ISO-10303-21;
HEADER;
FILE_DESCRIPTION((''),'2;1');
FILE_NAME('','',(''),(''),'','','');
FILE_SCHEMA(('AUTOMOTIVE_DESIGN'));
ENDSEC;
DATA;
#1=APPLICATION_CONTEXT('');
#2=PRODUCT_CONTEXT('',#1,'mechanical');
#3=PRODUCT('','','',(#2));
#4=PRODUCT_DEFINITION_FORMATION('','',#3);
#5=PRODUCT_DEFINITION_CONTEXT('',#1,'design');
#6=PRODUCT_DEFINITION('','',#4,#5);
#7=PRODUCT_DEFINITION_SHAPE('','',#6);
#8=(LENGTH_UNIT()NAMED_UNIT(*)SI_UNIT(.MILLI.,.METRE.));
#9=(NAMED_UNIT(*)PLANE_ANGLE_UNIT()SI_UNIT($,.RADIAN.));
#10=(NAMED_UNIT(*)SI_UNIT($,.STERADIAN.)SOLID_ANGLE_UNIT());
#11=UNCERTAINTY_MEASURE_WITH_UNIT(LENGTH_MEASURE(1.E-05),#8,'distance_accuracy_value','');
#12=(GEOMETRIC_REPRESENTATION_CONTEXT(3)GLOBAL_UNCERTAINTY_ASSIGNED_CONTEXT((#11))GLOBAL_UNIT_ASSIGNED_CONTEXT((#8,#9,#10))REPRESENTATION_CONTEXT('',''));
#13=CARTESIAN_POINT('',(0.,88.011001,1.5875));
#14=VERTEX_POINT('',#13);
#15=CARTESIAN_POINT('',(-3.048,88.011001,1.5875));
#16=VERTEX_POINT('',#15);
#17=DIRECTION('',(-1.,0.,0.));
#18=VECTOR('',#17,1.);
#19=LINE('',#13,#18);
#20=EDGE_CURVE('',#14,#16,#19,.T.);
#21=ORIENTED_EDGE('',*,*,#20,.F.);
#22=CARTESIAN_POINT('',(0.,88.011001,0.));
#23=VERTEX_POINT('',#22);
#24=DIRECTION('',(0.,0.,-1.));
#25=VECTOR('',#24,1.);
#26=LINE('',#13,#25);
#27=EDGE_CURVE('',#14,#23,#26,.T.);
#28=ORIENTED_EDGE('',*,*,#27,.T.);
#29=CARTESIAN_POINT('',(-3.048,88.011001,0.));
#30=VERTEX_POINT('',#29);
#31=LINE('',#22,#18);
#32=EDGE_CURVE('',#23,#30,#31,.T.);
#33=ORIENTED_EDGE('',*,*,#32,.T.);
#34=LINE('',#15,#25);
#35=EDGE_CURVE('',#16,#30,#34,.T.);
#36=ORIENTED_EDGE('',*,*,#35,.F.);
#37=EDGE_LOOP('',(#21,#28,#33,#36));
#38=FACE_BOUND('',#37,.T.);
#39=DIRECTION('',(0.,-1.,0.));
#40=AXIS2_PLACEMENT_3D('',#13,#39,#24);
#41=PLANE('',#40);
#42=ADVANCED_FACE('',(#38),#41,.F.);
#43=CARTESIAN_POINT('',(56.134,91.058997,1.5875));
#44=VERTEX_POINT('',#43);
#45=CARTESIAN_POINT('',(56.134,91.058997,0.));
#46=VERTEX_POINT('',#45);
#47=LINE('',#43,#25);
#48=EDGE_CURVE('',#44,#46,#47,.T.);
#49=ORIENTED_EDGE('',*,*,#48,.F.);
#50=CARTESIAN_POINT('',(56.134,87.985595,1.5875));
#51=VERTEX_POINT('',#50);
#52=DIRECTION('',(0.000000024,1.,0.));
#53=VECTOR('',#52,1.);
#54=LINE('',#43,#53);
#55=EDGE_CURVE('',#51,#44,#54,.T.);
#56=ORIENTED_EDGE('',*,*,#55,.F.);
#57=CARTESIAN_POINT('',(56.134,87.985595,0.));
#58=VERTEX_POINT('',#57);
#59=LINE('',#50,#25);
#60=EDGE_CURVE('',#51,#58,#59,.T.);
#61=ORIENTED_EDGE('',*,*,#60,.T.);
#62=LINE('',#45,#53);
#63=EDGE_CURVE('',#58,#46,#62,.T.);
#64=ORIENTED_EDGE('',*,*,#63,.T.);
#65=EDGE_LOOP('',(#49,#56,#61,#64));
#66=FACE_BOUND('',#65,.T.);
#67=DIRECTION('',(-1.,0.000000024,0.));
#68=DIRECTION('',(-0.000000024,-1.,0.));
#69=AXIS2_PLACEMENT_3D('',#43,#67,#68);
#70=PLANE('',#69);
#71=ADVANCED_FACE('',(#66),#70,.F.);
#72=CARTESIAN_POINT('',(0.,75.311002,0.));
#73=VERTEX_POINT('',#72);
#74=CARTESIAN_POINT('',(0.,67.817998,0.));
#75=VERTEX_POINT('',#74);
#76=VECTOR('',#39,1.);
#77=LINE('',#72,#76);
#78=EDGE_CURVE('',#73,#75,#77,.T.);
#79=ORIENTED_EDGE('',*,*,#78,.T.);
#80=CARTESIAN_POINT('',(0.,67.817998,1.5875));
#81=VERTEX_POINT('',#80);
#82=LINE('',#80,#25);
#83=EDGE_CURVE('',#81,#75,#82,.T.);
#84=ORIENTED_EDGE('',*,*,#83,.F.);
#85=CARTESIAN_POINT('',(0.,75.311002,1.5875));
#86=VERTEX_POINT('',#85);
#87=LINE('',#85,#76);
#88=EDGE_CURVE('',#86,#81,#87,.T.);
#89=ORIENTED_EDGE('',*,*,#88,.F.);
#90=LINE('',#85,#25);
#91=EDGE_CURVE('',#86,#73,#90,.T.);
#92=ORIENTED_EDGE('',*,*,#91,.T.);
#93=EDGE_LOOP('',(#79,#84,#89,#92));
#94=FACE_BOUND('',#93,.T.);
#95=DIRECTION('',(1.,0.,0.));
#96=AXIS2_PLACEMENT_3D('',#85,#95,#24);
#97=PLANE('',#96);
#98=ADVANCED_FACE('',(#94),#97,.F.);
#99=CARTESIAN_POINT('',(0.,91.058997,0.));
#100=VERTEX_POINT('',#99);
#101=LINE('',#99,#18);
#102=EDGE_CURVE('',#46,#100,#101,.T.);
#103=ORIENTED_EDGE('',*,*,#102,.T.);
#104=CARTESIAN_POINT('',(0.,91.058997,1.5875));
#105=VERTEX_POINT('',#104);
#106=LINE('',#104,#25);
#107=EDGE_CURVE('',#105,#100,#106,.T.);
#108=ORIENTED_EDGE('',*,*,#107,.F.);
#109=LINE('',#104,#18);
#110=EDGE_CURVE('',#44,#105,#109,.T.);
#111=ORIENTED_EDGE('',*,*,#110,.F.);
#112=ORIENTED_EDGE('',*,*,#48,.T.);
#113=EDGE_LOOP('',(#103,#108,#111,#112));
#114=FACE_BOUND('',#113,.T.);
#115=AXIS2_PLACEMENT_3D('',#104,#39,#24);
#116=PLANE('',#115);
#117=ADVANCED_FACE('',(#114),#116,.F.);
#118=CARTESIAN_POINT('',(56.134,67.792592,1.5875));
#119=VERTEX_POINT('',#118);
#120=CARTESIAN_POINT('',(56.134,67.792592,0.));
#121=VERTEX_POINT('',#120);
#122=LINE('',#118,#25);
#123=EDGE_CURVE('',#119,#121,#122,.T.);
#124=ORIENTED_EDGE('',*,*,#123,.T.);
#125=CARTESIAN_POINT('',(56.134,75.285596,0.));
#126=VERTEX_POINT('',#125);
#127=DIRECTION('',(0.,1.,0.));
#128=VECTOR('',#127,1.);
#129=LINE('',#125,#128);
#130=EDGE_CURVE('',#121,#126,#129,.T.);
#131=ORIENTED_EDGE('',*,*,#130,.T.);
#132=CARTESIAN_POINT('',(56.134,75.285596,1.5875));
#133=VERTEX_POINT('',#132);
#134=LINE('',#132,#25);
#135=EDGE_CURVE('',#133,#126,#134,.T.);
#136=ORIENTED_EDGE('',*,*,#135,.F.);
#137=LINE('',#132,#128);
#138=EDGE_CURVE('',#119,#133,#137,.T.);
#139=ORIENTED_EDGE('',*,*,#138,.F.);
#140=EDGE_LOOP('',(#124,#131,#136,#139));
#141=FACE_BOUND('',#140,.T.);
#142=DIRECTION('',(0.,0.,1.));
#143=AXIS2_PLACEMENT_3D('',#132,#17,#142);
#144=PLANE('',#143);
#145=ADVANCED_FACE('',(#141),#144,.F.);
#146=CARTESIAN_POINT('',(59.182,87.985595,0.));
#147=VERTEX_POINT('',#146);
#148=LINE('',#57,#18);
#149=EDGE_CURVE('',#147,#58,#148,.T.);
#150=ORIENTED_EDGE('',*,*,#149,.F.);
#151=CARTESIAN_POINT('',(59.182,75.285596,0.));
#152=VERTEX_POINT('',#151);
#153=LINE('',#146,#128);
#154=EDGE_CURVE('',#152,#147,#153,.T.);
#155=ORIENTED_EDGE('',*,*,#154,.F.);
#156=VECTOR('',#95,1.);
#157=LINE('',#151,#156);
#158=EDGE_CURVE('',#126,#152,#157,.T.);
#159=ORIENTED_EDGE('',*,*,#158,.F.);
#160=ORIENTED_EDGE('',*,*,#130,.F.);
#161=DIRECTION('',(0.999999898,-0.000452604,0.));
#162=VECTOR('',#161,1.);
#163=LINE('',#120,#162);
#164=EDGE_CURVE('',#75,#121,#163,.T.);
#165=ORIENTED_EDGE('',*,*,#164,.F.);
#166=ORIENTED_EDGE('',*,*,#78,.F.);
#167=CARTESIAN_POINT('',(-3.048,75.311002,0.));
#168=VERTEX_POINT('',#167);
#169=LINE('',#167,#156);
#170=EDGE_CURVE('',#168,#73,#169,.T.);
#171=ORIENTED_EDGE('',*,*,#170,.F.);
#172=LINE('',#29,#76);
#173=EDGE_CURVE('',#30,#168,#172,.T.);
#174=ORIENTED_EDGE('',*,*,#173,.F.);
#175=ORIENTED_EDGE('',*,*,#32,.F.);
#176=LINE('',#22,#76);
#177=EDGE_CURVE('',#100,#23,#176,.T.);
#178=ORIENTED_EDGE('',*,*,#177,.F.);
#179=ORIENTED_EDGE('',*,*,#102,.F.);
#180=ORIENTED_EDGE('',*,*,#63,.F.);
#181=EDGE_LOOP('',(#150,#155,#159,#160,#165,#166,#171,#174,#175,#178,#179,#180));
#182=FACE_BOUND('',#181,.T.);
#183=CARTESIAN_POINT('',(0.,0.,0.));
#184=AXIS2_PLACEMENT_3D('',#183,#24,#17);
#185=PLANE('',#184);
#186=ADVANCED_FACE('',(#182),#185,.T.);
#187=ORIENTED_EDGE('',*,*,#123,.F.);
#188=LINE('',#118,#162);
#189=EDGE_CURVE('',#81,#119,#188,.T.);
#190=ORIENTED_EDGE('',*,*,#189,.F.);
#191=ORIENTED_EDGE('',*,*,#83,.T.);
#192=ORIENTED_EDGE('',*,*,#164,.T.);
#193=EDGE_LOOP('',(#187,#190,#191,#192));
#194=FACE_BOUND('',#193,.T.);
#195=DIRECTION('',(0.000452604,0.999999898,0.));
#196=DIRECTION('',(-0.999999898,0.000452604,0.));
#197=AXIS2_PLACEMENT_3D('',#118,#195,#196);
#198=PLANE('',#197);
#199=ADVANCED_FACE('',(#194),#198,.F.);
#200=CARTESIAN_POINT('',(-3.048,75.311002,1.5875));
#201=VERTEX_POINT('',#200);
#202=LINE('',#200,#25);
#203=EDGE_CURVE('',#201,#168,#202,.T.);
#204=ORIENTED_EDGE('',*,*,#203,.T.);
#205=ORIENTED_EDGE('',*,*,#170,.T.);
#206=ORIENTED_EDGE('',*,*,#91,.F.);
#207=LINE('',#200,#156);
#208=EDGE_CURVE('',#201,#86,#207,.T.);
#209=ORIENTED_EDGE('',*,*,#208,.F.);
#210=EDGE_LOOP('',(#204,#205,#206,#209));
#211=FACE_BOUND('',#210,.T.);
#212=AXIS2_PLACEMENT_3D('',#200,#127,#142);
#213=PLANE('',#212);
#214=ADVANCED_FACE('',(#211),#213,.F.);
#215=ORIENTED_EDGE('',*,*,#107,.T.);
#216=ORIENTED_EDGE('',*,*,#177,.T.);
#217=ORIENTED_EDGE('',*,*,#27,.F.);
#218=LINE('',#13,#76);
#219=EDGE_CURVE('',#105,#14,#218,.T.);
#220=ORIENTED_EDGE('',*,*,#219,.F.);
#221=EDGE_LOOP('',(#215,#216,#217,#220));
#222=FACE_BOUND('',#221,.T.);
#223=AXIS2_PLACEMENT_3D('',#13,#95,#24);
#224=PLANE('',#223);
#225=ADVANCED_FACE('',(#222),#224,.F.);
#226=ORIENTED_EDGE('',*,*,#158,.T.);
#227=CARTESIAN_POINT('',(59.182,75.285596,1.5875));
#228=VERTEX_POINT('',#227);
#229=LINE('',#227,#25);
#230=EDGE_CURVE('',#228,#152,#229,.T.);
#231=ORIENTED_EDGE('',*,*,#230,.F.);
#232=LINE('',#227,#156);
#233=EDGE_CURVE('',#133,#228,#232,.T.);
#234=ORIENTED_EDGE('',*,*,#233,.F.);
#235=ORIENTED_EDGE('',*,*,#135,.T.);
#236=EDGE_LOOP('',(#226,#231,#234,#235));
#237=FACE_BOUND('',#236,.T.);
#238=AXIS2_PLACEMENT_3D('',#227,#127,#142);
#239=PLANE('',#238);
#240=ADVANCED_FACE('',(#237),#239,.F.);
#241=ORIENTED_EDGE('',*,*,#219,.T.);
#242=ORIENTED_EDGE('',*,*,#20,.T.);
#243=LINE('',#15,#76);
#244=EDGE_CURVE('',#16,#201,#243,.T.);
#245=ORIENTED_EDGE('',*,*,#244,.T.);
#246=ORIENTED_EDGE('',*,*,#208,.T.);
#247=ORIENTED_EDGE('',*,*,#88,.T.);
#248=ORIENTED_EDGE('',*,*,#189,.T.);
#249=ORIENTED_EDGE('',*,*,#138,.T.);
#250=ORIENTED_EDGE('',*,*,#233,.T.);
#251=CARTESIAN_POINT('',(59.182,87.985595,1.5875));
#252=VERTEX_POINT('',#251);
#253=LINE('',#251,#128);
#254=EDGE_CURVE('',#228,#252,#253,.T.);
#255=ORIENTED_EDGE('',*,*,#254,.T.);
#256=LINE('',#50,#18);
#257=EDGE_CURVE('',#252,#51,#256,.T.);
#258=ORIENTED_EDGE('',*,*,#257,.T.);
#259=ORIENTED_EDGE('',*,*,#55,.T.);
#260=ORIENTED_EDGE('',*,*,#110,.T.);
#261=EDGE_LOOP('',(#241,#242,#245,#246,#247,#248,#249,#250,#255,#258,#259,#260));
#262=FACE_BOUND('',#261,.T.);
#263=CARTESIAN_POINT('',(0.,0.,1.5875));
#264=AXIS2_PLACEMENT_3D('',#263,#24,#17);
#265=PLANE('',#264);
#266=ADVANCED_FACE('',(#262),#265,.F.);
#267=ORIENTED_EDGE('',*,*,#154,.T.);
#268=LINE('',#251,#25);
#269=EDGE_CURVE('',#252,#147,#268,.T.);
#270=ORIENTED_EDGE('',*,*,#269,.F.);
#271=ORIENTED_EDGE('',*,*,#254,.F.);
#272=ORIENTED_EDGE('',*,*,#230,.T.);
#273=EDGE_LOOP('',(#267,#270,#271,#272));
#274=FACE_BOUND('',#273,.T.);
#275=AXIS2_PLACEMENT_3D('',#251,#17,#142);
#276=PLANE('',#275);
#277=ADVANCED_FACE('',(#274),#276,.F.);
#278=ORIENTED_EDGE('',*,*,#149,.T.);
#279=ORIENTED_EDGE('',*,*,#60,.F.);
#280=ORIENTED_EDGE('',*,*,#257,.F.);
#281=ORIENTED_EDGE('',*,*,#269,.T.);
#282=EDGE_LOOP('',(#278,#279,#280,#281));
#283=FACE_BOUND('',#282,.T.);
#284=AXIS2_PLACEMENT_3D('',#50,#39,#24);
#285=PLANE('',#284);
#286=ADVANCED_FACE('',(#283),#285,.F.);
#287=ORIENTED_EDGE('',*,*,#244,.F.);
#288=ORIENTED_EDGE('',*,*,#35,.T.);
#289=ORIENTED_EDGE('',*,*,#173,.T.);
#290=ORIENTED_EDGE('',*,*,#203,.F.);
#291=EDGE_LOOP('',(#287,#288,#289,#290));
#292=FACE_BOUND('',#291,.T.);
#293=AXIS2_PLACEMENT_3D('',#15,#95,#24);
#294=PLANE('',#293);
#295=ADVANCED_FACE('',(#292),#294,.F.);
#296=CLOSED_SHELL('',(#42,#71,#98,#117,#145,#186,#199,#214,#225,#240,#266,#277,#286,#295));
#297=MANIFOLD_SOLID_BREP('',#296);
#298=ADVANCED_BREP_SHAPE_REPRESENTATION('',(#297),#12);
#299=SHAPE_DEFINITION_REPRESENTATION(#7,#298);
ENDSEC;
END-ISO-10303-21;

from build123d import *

# Parameters (mm, degrees)
BOSS_EXTRUDE1_DEPTH = 1.5875


with BuildPart() as part:
    # Sketch1 → Boss-Extrude1 (new body)
    with BuildSketch(Plane.XY):
        Polygon((0, 88.011001237), (-3.048, 88.011001237), (-3.048, 75.311002322), (0, 75.311002322), (0, 67.817998119), (56.134000346, 67.792591639), (56.134000346, 75.285595842), (59.182000346, 75.285595842), (59.182000346, 87.985594757), (56.134000346, 87.985594757), (56.134000421, 91.058996506), (0, 91.058996506), align=None)
    extrude(amount=BOSS_EXTRUDE1_DEPTH)


solid = part.part
